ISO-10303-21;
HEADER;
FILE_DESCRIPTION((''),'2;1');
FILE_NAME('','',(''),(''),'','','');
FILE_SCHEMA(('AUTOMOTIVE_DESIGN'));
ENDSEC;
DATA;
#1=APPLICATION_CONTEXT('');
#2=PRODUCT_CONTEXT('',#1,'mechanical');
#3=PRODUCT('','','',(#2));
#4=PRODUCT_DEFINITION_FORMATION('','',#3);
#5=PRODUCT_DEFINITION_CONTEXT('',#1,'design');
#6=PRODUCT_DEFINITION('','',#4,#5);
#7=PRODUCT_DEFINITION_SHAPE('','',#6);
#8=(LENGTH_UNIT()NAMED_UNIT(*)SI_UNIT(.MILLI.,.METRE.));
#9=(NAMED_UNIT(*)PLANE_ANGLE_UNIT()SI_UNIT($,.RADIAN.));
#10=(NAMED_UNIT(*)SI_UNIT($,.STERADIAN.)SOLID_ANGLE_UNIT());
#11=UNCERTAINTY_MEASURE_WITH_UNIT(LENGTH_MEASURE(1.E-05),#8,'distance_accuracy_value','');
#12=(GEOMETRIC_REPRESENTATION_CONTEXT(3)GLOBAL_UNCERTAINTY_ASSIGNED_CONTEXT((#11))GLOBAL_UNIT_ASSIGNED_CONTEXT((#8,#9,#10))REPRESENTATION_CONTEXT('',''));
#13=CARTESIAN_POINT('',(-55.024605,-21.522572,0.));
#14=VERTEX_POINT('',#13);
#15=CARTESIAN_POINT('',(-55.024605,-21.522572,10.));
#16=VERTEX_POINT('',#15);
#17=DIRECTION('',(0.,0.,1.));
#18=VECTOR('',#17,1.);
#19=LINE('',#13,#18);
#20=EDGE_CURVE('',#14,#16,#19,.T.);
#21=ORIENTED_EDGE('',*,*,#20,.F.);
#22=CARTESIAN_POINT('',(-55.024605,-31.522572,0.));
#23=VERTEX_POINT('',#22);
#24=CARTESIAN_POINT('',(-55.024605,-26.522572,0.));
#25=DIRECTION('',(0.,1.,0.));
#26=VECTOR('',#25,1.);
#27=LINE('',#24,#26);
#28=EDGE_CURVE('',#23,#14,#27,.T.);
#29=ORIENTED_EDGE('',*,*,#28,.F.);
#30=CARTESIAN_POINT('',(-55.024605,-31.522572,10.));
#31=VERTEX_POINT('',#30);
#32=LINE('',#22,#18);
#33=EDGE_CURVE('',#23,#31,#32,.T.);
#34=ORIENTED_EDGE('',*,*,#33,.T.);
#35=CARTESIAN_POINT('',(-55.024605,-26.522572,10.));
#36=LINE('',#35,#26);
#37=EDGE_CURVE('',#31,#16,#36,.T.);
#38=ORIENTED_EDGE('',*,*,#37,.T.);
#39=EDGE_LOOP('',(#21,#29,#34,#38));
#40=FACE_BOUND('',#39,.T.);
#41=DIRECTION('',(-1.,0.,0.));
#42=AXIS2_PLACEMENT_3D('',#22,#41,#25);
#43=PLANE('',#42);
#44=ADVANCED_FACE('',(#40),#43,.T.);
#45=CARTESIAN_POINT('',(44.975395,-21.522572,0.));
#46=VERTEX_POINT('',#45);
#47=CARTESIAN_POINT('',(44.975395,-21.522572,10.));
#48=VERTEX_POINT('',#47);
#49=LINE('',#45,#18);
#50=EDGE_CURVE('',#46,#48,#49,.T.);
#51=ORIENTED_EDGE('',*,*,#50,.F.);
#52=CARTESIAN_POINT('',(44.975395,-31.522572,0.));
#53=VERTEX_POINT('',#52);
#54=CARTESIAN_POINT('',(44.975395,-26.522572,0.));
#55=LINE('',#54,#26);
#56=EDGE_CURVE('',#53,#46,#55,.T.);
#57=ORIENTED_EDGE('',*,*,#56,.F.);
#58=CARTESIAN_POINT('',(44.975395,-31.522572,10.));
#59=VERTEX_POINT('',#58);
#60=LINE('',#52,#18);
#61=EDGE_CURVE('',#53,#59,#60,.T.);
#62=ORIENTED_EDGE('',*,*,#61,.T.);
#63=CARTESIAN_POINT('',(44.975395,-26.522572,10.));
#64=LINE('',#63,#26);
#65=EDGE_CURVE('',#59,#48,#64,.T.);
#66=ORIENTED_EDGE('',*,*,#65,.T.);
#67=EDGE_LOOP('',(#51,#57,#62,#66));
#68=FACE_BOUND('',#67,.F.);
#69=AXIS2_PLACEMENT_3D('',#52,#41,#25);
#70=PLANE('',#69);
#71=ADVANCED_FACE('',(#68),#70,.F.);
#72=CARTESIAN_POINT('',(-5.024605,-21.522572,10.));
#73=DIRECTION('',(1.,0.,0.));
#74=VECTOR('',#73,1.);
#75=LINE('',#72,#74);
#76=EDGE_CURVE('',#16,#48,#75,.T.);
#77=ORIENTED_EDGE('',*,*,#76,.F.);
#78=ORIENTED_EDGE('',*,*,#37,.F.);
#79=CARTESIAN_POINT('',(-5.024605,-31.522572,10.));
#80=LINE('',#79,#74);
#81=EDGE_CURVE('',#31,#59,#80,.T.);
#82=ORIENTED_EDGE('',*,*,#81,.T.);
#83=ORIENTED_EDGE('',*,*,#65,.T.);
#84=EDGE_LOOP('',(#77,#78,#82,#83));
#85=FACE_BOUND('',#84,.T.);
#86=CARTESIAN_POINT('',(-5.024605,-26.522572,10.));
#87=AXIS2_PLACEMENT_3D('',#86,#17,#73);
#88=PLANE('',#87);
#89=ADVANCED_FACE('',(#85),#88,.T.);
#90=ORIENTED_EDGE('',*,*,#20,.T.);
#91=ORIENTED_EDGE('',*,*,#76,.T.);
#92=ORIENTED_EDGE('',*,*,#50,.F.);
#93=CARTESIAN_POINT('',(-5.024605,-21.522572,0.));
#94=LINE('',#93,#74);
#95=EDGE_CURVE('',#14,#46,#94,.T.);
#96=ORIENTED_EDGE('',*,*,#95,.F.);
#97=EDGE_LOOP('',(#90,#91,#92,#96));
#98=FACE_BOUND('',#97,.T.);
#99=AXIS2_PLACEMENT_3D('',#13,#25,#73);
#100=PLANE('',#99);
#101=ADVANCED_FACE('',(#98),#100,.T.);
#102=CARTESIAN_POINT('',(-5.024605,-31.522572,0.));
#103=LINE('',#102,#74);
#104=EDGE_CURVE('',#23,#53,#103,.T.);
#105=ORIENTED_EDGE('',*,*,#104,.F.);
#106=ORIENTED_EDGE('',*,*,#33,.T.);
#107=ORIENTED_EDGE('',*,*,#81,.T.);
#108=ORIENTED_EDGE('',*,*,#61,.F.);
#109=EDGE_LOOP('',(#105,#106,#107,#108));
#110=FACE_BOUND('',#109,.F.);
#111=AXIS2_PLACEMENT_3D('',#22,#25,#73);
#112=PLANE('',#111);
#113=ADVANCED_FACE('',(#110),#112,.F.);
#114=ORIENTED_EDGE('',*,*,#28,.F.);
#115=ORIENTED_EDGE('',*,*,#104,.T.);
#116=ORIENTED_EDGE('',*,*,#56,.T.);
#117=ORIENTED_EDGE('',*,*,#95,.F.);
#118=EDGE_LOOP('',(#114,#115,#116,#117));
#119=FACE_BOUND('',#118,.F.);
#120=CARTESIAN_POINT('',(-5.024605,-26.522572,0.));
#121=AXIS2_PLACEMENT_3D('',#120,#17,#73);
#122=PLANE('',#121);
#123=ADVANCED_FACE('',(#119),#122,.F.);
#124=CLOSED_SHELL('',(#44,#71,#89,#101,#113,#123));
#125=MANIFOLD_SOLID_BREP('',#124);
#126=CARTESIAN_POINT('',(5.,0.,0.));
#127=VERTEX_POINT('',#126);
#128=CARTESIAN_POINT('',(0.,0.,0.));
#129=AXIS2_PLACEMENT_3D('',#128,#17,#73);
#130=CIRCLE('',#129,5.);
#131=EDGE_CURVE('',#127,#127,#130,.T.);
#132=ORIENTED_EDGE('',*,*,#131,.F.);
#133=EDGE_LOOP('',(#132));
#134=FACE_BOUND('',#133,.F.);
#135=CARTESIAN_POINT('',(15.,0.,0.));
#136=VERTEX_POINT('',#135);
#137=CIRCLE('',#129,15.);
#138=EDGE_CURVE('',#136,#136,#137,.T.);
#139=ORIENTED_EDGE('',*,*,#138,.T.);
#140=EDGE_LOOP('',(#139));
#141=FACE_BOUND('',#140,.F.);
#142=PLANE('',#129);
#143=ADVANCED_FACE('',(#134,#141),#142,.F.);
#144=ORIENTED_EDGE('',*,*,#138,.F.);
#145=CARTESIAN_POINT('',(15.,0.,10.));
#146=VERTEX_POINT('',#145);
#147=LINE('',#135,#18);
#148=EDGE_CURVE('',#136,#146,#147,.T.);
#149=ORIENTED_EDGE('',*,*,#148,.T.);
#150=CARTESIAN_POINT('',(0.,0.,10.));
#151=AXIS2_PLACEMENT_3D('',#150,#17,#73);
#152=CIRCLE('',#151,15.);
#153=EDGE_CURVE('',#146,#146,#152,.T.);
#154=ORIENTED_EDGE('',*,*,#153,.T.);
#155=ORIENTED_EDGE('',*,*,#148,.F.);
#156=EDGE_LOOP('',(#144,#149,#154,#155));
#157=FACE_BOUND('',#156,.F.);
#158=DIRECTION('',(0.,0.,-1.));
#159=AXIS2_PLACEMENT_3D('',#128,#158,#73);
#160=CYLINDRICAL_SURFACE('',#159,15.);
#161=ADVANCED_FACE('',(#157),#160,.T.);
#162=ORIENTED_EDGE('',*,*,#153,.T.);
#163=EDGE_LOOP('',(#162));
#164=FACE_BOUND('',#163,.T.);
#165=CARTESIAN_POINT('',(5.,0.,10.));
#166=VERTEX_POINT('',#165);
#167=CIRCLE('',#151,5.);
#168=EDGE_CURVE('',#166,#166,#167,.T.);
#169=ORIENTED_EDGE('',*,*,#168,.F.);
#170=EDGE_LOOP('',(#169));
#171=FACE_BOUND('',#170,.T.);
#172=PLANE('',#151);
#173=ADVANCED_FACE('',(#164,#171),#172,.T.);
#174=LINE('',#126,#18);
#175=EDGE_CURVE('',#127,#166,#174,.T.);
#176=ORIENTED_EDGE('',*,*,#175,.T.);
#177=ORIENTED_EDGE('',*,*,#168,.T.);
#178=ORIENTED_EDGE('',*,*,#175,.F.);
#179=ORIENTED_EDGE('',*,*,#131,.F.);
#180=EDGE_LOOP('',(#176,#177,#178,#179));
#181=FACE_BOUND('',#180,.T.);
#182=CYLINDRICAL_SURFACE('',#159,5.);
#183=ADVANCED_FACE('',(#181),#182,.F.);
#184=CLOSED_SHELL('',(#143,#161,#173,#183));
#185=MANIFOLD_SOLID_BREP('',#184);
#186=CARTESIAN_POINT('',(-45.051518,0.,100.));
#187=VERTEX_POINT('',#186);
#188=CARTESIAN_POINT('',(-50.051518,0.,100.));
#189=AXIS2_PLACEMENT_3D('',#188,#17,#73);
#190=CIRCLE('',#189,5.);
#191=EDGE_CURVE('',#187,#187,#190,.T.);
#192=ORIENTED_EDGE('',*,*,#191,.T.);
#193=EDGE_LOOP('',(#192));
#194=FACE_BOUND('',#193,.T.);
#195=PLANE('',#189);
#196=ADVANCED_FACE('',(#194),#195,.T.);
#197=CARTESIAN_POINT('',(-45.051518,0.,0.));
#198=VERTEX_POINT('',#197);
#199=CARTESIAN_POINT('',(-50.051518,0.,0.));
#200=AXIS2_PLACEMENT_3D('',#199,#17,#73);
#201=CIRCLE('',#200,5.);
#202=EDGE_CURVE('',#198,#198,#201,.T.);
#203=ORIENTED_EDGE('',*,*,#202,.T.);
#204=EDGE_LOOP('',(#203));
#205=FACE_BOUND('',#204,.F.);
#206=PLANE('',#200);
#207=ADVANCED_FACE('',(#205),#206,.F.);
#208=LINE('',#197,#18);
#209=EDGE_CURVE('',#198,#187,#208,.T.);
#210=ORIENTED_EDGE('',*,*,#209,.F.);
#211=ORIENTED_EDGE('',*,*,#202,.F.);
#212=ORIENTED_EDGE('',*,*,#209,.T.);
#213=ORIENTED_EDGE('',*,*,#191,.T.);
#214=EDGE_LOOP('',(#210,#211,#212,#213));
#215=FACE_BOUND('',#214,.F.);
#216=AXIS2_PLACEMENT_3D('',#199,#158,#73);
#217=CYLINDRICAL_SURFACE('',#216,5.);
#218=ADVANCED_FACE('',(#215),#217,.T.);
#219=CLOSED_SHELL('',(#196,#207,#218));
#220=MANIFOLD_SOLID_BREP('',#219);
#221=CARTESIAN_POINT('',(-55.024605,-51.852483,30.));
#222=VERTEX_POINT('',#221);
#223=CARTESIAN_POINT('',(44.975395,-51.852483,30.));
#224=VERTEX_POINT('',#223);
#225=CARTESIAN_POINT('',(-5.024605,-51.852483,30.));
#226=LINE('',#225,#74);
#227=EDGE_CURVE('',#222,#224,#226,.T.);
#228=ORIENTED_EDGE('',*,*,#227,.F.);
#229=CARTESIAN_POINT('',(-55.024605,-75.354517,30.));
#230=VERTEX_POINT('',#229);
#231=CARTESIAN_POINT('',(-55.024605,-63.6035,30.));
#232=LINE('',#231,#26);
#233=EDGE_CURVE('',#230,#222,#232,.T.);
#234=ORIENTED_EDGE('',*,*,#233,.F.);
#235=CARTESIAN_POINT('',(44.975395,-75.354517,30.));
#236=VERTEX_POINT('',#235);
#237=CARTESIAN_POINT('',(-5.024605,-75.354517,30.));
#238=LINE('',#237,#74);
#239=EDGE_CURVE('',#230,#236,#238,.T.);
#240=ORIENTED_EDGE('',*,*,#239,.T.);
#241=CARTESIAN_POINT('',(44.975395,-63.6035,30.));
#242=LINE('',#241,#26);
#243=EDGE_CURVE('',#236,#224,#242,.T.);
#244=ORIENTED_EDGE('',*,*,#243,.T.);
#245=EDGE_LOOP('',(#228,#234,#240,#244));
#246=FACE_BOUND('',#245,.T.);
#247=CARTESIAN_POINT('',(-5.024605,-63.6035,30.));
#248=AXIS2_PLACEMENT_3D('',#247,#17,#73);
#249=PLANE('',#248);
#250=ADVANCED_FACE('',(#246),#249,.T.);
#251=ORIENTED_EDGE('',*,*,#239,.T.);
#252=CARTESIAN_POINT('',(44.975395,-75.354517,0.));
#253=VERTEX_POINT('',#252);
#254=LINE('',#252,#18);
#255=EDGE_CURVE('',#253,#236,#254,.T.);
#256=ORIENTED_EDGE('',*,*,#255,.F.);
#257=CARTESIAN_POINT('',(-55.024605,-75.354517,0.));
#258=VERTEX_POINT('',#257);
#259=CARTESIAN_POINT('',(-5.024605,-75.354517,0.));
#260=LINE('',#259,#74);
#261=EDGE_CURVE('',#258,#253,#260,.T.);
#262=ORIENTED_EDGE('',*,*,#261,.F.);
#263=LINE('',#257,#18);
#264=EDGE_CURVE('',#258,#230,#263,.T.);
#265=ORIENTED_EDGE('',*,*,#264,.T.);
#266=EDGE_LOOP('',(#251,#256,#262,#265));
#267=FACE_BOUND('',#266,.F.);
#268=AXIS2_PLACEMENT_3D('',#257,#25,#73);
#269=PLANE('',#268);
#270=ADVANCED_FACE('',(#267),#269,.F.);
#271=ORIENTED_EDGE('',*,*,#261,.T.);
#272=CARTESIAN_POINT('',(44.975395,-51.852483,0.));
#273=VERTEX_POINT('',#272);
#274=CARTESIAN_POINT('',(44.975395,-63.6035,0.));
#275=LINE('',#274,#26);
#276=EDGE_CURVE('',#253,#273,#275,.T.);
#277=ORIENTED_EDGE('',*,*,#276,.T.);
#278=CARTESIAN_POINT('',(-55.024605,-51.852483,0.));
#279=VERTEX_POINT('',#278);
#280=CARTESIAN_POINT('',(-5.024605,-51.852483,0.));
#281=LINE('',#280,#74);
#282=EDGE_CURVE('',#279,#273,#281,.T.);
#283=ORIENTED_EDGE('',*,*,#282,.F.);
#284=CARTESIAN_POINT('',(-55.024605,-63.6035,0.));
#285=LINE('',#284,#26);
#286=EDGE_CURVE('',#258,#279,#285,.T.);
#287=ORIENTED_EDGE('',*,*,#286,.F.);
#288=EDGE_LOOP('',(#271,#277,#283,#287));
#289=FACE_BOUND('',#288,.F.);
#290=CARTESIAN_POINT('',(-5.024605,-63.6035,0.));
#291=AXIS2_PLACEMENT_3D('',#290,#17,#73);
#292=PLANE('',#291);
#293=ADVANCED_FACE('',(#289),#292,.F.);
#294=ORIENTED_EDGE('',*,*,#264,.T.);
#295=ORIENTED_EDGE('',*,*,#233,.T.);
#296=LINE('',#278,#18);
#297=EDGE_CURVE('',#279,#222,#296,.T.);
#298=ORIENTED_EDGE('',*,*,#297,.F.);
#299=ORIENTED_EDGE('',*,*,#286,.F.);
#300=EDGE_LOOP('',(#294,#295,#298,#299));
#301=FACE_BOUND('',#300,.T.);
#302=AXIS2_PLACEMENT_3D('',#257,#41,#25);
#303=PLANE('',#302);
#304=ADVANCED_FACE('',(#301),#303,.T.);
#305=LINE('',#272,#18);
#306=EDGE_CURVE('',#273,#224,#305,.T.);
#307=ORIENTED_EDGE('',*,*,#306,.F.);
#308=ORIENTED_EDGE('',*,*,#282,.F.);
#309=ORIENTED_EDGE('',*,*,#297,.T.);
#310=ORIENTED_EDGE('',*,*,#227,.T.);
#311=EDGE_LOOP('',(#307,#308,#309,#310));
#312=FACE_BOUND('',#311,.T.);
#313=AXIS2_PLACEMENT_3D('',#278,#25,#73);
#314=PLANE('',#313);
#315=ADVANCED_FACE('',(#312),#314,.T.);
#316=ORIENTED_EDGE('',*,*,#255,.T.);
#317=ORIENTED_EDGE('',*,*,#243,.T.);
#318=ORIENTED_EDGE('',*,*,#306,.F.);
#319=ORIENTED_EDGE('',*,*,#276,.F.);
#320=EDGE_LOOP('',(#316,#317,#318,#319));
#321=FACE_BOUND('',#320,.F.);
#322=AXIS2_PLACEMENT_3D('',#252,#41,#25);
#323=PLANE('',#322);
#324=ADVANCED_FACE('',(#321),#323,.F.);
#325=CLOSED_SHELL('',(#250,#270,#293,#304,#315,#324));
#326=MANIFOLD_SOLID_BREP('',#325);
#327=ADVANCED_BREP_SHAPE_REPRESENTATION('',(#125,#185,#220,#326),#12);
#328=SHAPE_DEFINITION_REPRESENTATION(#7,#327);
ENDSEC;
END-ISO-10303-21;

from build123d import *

# Parameters (mm, degrees)
F0_R     = 15
F0_R_2   = 5
F0_W     = 100
F0_H     = 10
F1_DEPTH = 10
F2_DEPTH = 100
F0_H_2   = 23.502034
F3_DEPTH = 30


with BuildPart() as f1:
    # F0 (on Top) → F1 (new body)
    with BuildSketch(Plane.XY):
        Circle(F0_R)
        Circle(F0_R_2, mode=Mode.SUBTRACT)
        with Locations((-5.024605, -26.522572)):
            Rectangle(F0_W, F0_H)
    extrude(amount=F1_DEPTH)


with BuildPart() as f2:
    # F0 (on Top) → F2 (new body)
    with BuildSketch(Plane.XY):
        with Locations((-50.051518, 0)):
            Circle(F0_R_2)
    extrude(amount=F2_DEPTH)


with BuildPart() as f3:
    # F0 (on Top) → F3 (new body)
    with BuildSketch(Plane.XY):
        with Locations((-5.024605, -63.6035)):
            Rectangle(F0_W, F0_H_2)
    extrude(amount=F3_DEPTH)


solid = Compound([f1.part, f2.part, f3.part])
